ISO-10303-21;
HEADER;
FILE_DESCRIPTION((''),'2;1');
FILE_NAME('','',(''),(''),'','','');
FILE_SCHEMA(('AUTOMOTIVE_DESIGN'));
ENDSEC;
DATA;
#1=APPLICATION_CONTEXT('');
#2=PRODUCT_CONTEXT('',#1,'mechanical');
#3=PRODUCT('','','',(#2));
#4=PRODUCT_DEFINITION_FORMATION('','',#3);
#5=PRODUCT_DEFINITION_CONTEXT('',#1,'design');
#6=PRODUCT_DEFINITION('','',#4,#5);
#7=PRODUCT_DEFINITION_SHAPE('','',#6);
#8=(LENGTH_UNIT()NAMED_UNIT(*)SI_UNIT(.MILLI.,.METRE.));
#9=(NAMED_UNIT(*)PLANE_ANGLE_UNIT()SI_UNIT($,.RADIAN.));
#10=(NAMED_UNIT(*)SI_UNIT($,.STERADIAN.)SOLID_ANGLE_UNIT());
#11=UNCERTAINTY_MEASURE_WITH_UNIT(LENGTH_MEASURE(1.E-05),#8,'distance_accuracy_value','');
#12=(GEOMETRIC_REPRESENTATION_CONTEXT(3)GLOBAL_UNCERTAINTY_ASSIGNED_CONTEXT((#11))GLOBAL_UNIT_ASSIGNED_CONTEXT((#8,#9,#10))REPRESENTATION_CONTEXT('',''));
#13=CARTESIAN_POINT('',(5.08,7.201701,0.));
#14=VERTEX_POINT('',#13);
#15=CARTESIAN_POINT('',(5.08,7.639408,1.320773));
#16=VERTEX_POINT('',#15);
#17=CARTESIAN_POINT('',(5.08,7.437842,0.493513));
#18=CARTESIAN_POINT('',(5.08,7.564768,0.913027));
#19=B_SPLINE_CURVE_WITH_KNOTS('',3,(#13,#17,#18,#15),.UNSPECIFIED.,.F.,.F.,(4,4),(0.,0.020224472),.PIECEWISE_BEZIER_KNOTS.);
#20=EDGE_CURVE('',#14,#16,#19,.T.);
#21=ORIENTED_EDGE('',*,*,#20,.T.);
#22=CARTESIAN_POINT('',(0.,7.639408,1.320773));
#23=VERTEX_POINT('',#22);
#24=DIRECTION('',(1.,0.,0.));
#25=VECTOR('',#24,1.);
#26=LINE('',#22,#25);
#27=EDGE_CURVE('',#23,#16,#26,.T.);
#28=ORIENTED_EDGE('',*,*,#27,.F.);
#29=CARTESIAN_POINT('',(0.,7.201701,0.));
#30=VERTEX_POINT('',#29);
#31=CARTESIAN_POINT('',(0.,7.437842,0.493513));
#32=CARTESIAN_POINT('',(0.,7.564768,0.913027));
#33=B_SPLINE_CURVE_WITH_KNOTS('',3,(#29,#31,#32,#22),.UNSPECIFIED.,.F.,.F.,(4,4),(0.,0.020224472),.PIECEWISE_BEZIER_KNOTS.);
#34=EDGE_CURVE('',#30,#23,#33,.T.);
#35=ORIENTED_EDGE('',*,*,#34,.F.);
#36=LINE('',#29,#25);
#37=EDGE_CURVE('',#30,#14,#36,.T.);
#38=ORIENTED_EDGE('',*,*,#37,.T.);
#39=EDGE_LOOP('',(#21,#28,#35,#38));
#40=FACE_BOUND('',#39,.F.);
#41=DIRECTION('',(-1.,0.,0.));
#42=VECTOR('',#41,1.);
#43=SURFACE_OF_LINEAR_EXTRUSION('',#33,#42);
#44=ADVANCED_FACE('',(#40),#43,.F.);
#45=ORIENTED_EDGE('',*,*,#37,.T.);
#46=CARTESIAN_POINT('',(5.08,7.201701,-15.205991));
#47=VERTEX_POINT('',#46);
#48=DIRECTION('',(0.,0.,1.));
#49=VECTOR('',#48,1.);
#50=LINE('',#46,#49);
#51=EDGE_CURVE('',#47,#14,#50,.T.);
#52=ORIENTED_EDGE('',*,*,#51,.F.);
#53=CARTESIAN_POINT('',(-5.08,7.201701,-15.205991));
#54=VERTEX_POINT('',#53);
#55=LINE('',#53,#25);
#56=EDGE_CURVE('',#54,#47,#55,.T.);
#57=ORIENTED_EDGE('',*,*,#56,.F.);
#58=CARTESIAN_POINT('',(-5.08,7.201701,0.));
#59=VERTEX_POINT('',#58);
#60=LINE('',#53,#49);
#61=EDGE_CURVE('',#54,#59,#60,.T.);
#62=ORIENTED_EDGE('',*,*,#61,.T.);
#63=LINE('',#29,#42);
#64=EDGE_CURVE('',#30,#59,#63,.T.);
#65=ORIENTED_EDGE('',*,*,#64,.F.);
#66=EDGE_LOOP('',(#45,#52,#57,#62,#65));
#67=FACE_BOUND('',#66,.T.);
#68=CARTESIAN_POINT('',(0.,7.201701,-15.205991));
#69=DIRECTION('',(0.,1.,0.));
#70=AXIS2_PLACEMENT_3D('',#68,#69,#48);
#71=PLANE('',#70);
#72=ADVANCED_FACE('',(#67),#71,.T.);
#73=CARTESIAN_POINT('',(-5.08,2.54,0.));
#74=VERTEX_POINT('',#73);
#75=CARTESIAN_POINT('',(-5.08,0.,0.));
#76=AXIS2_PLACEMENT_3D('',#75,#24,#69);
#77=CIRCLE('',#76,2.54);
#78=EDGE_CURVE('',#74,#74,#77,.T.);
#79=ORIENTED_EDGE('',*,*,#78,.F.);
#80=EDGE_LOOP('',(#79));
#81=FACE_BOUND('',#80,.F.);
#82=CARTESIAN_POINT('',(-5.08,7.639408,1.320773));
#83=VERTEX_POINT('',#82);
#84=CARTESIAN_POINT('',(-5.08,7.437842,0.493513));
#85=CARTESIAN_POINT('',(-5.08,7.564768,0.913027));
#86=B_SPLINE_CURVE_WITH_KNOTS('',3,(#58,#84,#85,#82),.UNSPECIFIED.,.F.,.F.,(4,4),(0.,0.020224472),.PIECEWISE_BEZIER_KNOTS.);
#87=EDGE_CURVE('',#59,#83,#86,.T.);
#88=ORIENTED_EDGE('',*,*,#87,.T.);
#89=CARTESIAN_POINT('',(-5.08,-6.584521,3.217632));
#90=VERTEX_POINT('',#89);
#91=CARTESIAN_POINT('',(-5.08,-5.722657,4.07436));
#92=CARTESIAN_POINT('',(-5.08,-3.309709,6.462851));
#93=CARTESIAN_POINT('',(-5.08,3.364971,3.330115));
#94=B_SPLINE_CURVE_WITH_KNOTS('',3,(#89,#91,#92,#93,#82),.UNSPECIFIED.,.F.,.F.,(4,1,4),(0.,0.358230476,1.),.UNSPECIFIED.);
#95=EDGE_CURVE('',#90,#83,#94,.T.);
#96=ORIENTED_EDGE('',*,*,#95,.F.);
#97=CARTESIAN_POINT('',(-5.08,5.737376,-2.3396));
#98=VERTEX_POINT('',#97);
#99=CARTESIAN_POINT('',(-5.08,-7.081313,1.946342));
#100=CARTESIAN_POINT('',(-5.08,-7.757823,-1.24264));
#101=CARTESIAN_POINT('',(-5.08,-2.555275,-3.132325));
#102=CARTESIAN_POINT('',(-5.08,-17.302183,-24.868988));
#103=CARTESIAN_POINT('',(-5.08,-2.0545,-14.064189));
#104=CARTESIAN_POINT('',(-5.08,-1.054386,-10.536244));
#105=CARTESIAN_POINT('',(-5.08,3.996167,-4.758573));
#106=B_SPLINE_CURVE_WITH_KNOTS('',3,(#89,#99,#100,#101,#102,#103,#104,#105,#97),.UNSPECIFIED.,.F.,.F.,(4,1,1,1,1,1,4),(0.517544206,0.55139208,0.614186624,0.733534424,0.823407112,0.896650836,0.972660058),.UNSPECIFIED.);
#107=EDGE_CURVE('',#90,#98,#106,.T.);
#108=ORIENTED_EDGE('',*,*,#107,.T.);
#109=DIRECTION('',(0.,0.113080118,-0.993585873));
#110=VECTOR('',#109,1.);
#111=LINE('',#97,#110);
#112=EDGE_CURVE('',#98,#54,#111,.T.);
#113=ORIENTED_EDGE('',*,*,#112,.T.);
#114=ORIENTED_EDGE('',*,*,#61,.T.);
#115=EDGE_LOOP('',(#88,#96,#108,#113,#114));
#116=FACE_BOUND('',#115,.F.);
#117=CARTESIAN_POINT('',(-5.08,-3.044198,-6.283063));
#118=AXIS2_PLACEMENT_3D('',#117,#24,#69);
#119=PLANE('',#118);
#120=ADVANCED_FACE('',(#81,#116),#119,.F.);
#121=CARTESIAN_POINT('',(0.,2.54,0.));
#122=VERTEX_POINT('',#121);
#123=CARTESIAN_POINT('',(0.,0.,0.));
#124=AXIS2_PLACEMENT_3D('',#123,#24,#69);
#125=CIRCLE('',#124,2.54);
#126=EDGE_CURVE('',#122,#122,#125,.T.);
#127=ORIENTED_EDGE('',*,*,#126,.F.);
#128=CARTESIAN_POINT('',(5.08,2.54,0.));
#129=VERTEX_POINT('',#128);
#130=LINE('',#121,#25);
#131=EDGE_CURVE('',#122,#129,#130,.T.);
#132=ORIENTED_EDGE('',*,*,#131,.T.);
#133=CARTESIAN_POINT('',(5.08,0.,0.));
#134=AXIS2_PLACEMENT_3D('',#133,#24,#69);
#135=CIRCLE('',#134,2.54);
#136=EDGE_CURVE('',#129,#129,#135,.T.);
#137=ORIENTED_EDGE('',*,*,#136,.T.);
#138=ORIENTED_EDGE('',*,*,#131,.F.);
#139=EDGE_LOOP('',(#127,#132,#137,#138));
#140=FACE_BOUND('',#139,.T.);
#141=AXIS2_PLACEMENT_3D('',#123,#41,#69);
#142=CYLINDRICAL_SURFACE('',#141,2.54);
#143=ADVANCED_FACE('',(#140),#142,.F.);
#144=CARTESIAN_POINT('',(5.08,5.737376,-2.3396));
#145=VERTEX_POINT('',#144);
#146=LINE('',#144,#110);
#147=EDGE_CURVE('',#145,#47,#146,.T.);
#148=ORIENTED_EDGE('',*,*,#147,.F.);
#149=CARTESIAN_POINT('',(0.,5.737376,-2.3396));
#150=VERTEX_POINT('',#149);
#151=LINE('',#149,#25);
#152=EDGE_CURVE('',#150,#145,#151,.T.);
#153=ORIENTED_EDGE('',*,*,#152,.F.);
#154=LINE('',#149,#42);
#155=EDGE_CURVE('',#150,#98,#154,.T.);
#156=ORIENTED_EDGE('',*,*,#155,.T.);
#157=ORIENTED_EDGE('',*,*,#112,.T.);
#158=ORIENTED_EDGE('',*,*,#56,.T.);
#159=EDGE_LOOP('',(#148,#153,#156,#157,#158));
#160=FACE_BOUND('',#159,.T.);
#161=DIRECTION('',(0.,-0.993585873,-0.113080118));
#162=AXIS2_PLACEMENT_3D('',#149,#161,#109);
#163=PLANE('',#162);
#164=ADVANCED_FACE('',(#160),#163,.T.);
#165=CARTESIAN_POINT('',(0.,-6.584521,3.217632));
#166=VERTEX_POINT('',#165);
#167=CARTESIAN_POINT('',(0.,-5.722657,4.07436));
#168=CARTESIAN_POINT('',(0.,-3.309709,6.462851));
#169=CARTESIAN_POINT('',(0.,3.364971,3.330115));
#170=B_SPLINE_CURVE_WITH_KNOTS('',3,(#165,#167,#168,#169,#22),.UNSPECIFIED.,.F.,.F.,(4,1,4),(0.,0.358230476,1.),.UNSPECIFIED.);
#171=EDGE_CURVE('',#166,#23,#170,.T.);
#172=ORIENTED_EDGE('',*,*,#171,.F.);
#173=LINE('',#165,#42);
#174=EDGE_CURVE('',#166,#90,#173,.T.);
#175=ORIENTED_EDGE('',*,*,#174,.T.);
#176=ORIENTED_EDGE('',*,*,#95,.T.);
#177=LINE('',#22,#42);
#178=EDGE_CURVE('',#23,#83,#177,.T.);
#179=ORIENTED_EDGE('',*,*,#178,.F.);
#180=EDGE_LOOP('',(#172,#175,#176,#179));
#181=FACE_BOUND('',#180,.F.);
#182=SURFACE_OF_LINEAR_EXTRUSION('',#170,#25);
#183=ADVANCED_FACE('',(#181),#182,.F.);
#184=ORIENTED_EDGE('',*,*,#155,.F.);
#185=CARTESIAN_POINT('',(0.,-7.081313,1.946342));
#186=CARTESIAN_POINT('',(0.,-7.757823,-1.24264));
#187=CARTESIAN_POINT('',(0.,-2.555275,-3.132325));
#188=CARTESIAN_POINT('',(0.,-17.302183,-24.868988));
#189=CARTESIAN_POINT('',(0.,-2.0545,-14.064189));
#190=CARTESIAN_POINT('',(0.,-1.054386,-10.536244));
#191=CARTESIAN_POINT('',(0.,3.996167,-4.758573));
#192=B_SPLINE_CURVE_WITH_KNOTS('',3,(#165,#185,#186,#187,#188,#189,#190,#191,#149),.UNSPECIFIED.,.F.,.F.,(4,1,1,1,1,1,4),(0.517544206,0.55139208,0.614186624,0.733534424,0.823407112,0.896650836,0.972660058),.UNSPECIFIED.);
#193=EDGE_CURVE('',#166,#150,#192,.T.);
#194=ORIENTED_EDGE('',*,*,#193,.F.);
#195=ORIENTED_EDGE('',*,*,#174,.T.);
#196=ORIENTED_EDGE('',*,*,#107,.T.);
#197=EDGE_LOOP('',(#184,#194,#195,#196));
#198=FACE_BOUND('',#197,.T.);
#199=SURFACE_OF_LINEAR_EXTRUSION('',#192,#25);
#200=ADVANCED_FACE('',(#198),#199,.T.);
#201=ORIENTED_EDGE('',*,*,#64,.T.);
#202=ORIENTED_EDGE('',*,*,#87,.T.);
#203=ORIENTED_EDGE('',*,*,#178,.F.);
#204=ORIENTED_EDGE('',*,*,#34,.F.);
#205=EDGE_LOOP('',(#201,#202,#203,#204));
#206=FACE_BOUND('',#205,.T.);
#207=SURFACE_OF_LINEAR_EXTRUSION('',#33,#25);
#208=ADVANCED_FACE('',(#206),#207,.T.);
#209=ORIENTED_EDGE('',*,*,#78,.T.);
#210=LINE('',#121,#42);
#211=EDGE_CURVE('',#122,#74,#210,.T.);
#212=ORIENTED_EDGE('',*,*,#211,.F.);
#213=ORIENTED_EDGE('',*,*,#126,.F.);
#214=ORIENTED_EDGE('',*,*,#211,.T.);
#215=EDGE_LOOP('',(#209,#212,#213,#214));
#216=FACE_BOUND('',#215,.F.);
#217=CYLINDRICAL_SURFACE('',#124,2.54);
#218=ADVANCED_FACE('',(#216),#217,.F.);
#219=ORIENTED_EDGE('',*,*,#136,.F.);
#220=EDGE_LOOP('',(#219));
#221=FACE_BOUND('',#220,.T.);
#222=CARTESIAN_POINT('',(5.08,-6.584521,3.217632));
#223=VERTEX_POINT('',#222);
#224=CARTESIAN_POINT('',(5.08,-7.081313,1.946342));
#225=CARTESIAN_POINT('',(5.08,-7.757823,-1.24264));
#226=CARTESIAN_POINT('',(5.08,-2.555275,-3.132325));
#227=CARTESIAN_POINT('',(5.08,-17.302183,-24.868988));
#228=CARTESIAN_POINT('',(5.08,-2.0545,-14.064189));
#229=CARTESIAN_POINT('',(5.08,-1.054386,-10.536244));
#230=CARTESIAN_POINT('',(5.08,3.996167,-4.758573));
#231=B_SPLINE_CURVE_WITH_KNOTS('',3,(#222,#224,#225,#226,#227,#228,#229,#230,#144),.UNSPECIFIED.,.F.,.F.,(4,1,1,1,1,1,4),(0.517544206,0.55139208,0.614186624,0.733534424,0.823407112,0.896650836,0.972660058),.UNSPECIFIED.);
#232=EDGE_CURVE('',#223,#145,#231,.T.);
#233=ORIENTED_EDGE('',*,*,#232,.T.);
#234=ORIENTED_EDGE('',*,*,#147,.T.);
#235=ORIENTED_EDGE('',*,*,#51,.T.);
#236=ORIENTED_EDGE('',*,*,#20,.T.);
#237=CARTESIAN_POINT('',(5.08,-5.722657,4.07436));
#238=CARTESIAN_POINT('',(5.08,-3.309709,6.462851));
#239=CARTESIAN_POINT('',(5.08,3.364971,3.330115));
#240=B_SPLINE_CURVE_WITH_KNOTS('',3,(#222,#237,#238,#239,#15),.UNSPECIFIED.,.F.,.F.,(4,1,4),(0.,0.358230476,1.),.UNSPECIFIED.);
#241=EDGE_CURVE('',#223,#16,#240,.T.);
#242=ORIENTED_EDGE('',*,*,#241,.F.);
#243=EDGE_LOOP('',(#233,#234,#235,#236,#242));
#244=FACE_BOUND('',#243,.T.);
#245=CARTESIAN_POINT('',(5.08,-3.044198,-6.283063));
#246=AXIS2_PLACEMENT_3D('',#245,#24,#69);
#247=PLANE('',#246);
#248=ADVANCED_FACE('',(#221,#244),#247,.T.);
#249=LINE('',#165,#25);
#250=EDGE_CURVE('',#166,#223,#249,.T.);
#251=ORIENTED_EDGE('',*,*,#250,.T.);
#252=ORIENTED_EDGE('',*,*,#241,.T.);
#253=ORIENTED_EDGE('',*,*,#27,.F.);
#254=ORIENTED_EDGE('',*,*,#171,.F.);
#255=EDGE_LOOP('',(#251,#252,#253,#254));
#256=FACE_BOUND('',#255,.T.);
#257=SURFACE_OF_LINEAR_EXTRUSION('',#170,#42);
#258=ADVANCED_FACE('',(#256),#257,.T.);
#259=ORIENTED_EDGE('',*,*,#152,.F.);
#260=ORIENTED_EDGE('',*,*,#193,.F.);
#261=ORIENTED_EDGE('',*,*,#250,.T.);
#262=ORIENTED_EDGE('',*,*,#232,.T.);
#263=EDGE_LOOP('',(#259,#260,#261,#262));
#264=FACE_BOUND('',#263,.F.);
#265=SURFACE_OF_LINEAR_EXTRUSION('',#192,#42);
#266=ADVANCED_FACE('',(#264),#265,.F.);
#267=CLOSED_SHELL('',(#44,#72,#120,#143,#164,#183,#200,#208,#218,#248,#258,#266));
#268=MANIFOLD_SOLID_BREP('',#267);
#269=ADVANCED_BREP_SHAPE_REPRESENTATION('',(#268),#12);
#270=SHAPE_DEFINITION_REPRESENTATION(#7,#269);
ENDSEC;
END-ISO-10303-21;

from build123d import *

# Parameters (mm, degrees)
F0_R     = 2.54
F1_DEPTH = 5.08
F2_DEPTH = 5.08


with BuildPart() as f1:
    # F0 (on Right) → F1 (new body)
    with BuildSketch(Plane.YZ):
        with BuildLine():
            add(Edge.make_bspline(
                [(5.7373761011, -2.3396002155), (6.3636757796, -1.4695139602), (6.8824801089, -0.6671431106), (7.2017014027, 0)],
                knots=[0.9726600579, 0.9726600579, 0.9726600579, 0.9726600579, 1, 1, 1, 1], degree=3))
            add(Edge.make_bspline(
                [(7.2017014027, 0), (7.43784243, 0.4935130036), (7.5647683257, 0.9130271561), (7.6394075525, 1.320772751)],
                knots=[0, 0, 0, 0, 0.0202244716, 0.0202244716, 0.0202244716, 0.0202244716], degree=3))
            add(Edge.make_bspline(
                [(-6.5845213743, 3.2176323689), (-5.7226572699, 4.074359879), (-3.3097092588, 6.4628506518), (3.3649706241, 3.3301150863), (7.6394075525, 1.320772751)],
                knots=[0, 0, 0, 0, 0.3582304762, 1, 1, 1, 1], degree=3))
            add(Edge.make_bspline(
                [(-6.5845213743, 3.2176323689), (-7.0813126232, 1.9463419947), (-7.7578226122, -1.2426403007), (-2.5552751462, -3.1323254855), (-17.3021828873, -24.8689880261), (-2.0545003286, -14.0641893523), (-1.054386327, -10.5362435767), (3.9961671701, -4.7585731298), (5.7373761011, -2.3396002155)],
                knots=[0.5175442063, 0.5175442063, 0.5175442063, 0.5175442063, 0.5513920798, 0.6141866243, 0.7335344244, 0.823407112, 0.896650836, 0.9726600579, 0.9726600579, 0.9726600579, 0.9726600579], degree=3))
        make_face()
        Circle(F0_R, mode=Mode.SUBTRACT)
        with BuildLine():
            Line((7.2017014027, -15.2059905231), (7.2017014027, 0))
            add(Edge.make_bspline(
                [(5.7373761011, -2.3396002155), (6.3636757796, -1.4695139602), (6.8824801089, -0.6671431106), (7.2017014027, 0)],
                knots=[0.9726600579, 0.9726600579, 0.9726600579, 0.9726600579, 1, 1, 1, 1], degree=3))
            Line((5.7373761011, -2.3396002155), (7.2017014027, -15.2059905231))
        make_face()
    extrude(amount=F1_DEPTH)

    # F0 (on Right) → F2 (join)
    with BuildSketch(Plane.YZ):
        with BuildLine():
            add(Edge.make_bspline(
                [(5.7373761011, -2.3396002155), (6.3636757796, -1.4695139602), (6.8824801089, -0.6671431106), (7.2017014027, 0)],
                knots=[0.9726600579, 0.9726600579, 0.9726600579, 0.9726600579, 1, 1, 1, 1], degree=3))
            add(Edge.make_bspline(
                [(7.2017014027, 0), (7.43784243, 0.4935130036), (7.5647683257, 0.9130271561), (7.6394075525, 1.320772751)],
                knots=[0, 0, 0, 0, 0.0202244716, 0.0202244716, 0.0202244716, 0.0202244716], degree=3))
            add(Edge.make_bspline(
                [(-6.5845213743, 3.2176323689), (-5.7226572699, 4.074359879), (-3.3097092588, 6.4628506518), (3.3649706241, 3.3301150863), (7.6394075525, 1.320772751)],
                knots=[0, 0, 0, 0, 0.3582304762, 1, 1, 1, 1], degree=3))
            add(Edge.make_bspline(
                [(-6.5845213743, 3.2176323689), (-7.0813126232, 1.9463419947), (-7.7578226122, -1.2426403007), (-2.5552751462, -3.1323254855), (-17.3021828873, -24.8689880261), (-2.0545003286, -14.0641893523), (-1.054386327, -10.5362435767), (3.9961671701, -4.7585731298), (5.7373761011, -2.3396002155)],
                knots=[0.5175442063, 0.5175442063, 0.5175442063, 0.5175442063, 0.5513920798, 0.6141866243, 0.7335344244, 0.823407112, 0.896650836, 0.9726600579, 0.9726600579, 0.9726600579, 0.9726600579], degree=3))
        make_face()
        Circle(F0_R, mode=Mode.SUBTRACT)
        with BuildLine():
            Line((7.2017014027, -15.2059905231), (7.2017014027, 0))
            add(Edge.make_bspline(
                [(5.7373761011, -2.3396002155), (6.3636757796, -1.4695139602), (6.8824801089, -0.6671431106), (7.2017014027, 0)],
                knots=[0.9726600579, 0.9726600579, 0.9726600579, 0.9726600579, 1, 1, 1, 1], degree=3))
            Line((5.7373761011, -2.3396002155), (7.2017014027, -15.2059905231))
        make_face()
    extrude(amount=-F2_DEPTH)


solid = f1.part
